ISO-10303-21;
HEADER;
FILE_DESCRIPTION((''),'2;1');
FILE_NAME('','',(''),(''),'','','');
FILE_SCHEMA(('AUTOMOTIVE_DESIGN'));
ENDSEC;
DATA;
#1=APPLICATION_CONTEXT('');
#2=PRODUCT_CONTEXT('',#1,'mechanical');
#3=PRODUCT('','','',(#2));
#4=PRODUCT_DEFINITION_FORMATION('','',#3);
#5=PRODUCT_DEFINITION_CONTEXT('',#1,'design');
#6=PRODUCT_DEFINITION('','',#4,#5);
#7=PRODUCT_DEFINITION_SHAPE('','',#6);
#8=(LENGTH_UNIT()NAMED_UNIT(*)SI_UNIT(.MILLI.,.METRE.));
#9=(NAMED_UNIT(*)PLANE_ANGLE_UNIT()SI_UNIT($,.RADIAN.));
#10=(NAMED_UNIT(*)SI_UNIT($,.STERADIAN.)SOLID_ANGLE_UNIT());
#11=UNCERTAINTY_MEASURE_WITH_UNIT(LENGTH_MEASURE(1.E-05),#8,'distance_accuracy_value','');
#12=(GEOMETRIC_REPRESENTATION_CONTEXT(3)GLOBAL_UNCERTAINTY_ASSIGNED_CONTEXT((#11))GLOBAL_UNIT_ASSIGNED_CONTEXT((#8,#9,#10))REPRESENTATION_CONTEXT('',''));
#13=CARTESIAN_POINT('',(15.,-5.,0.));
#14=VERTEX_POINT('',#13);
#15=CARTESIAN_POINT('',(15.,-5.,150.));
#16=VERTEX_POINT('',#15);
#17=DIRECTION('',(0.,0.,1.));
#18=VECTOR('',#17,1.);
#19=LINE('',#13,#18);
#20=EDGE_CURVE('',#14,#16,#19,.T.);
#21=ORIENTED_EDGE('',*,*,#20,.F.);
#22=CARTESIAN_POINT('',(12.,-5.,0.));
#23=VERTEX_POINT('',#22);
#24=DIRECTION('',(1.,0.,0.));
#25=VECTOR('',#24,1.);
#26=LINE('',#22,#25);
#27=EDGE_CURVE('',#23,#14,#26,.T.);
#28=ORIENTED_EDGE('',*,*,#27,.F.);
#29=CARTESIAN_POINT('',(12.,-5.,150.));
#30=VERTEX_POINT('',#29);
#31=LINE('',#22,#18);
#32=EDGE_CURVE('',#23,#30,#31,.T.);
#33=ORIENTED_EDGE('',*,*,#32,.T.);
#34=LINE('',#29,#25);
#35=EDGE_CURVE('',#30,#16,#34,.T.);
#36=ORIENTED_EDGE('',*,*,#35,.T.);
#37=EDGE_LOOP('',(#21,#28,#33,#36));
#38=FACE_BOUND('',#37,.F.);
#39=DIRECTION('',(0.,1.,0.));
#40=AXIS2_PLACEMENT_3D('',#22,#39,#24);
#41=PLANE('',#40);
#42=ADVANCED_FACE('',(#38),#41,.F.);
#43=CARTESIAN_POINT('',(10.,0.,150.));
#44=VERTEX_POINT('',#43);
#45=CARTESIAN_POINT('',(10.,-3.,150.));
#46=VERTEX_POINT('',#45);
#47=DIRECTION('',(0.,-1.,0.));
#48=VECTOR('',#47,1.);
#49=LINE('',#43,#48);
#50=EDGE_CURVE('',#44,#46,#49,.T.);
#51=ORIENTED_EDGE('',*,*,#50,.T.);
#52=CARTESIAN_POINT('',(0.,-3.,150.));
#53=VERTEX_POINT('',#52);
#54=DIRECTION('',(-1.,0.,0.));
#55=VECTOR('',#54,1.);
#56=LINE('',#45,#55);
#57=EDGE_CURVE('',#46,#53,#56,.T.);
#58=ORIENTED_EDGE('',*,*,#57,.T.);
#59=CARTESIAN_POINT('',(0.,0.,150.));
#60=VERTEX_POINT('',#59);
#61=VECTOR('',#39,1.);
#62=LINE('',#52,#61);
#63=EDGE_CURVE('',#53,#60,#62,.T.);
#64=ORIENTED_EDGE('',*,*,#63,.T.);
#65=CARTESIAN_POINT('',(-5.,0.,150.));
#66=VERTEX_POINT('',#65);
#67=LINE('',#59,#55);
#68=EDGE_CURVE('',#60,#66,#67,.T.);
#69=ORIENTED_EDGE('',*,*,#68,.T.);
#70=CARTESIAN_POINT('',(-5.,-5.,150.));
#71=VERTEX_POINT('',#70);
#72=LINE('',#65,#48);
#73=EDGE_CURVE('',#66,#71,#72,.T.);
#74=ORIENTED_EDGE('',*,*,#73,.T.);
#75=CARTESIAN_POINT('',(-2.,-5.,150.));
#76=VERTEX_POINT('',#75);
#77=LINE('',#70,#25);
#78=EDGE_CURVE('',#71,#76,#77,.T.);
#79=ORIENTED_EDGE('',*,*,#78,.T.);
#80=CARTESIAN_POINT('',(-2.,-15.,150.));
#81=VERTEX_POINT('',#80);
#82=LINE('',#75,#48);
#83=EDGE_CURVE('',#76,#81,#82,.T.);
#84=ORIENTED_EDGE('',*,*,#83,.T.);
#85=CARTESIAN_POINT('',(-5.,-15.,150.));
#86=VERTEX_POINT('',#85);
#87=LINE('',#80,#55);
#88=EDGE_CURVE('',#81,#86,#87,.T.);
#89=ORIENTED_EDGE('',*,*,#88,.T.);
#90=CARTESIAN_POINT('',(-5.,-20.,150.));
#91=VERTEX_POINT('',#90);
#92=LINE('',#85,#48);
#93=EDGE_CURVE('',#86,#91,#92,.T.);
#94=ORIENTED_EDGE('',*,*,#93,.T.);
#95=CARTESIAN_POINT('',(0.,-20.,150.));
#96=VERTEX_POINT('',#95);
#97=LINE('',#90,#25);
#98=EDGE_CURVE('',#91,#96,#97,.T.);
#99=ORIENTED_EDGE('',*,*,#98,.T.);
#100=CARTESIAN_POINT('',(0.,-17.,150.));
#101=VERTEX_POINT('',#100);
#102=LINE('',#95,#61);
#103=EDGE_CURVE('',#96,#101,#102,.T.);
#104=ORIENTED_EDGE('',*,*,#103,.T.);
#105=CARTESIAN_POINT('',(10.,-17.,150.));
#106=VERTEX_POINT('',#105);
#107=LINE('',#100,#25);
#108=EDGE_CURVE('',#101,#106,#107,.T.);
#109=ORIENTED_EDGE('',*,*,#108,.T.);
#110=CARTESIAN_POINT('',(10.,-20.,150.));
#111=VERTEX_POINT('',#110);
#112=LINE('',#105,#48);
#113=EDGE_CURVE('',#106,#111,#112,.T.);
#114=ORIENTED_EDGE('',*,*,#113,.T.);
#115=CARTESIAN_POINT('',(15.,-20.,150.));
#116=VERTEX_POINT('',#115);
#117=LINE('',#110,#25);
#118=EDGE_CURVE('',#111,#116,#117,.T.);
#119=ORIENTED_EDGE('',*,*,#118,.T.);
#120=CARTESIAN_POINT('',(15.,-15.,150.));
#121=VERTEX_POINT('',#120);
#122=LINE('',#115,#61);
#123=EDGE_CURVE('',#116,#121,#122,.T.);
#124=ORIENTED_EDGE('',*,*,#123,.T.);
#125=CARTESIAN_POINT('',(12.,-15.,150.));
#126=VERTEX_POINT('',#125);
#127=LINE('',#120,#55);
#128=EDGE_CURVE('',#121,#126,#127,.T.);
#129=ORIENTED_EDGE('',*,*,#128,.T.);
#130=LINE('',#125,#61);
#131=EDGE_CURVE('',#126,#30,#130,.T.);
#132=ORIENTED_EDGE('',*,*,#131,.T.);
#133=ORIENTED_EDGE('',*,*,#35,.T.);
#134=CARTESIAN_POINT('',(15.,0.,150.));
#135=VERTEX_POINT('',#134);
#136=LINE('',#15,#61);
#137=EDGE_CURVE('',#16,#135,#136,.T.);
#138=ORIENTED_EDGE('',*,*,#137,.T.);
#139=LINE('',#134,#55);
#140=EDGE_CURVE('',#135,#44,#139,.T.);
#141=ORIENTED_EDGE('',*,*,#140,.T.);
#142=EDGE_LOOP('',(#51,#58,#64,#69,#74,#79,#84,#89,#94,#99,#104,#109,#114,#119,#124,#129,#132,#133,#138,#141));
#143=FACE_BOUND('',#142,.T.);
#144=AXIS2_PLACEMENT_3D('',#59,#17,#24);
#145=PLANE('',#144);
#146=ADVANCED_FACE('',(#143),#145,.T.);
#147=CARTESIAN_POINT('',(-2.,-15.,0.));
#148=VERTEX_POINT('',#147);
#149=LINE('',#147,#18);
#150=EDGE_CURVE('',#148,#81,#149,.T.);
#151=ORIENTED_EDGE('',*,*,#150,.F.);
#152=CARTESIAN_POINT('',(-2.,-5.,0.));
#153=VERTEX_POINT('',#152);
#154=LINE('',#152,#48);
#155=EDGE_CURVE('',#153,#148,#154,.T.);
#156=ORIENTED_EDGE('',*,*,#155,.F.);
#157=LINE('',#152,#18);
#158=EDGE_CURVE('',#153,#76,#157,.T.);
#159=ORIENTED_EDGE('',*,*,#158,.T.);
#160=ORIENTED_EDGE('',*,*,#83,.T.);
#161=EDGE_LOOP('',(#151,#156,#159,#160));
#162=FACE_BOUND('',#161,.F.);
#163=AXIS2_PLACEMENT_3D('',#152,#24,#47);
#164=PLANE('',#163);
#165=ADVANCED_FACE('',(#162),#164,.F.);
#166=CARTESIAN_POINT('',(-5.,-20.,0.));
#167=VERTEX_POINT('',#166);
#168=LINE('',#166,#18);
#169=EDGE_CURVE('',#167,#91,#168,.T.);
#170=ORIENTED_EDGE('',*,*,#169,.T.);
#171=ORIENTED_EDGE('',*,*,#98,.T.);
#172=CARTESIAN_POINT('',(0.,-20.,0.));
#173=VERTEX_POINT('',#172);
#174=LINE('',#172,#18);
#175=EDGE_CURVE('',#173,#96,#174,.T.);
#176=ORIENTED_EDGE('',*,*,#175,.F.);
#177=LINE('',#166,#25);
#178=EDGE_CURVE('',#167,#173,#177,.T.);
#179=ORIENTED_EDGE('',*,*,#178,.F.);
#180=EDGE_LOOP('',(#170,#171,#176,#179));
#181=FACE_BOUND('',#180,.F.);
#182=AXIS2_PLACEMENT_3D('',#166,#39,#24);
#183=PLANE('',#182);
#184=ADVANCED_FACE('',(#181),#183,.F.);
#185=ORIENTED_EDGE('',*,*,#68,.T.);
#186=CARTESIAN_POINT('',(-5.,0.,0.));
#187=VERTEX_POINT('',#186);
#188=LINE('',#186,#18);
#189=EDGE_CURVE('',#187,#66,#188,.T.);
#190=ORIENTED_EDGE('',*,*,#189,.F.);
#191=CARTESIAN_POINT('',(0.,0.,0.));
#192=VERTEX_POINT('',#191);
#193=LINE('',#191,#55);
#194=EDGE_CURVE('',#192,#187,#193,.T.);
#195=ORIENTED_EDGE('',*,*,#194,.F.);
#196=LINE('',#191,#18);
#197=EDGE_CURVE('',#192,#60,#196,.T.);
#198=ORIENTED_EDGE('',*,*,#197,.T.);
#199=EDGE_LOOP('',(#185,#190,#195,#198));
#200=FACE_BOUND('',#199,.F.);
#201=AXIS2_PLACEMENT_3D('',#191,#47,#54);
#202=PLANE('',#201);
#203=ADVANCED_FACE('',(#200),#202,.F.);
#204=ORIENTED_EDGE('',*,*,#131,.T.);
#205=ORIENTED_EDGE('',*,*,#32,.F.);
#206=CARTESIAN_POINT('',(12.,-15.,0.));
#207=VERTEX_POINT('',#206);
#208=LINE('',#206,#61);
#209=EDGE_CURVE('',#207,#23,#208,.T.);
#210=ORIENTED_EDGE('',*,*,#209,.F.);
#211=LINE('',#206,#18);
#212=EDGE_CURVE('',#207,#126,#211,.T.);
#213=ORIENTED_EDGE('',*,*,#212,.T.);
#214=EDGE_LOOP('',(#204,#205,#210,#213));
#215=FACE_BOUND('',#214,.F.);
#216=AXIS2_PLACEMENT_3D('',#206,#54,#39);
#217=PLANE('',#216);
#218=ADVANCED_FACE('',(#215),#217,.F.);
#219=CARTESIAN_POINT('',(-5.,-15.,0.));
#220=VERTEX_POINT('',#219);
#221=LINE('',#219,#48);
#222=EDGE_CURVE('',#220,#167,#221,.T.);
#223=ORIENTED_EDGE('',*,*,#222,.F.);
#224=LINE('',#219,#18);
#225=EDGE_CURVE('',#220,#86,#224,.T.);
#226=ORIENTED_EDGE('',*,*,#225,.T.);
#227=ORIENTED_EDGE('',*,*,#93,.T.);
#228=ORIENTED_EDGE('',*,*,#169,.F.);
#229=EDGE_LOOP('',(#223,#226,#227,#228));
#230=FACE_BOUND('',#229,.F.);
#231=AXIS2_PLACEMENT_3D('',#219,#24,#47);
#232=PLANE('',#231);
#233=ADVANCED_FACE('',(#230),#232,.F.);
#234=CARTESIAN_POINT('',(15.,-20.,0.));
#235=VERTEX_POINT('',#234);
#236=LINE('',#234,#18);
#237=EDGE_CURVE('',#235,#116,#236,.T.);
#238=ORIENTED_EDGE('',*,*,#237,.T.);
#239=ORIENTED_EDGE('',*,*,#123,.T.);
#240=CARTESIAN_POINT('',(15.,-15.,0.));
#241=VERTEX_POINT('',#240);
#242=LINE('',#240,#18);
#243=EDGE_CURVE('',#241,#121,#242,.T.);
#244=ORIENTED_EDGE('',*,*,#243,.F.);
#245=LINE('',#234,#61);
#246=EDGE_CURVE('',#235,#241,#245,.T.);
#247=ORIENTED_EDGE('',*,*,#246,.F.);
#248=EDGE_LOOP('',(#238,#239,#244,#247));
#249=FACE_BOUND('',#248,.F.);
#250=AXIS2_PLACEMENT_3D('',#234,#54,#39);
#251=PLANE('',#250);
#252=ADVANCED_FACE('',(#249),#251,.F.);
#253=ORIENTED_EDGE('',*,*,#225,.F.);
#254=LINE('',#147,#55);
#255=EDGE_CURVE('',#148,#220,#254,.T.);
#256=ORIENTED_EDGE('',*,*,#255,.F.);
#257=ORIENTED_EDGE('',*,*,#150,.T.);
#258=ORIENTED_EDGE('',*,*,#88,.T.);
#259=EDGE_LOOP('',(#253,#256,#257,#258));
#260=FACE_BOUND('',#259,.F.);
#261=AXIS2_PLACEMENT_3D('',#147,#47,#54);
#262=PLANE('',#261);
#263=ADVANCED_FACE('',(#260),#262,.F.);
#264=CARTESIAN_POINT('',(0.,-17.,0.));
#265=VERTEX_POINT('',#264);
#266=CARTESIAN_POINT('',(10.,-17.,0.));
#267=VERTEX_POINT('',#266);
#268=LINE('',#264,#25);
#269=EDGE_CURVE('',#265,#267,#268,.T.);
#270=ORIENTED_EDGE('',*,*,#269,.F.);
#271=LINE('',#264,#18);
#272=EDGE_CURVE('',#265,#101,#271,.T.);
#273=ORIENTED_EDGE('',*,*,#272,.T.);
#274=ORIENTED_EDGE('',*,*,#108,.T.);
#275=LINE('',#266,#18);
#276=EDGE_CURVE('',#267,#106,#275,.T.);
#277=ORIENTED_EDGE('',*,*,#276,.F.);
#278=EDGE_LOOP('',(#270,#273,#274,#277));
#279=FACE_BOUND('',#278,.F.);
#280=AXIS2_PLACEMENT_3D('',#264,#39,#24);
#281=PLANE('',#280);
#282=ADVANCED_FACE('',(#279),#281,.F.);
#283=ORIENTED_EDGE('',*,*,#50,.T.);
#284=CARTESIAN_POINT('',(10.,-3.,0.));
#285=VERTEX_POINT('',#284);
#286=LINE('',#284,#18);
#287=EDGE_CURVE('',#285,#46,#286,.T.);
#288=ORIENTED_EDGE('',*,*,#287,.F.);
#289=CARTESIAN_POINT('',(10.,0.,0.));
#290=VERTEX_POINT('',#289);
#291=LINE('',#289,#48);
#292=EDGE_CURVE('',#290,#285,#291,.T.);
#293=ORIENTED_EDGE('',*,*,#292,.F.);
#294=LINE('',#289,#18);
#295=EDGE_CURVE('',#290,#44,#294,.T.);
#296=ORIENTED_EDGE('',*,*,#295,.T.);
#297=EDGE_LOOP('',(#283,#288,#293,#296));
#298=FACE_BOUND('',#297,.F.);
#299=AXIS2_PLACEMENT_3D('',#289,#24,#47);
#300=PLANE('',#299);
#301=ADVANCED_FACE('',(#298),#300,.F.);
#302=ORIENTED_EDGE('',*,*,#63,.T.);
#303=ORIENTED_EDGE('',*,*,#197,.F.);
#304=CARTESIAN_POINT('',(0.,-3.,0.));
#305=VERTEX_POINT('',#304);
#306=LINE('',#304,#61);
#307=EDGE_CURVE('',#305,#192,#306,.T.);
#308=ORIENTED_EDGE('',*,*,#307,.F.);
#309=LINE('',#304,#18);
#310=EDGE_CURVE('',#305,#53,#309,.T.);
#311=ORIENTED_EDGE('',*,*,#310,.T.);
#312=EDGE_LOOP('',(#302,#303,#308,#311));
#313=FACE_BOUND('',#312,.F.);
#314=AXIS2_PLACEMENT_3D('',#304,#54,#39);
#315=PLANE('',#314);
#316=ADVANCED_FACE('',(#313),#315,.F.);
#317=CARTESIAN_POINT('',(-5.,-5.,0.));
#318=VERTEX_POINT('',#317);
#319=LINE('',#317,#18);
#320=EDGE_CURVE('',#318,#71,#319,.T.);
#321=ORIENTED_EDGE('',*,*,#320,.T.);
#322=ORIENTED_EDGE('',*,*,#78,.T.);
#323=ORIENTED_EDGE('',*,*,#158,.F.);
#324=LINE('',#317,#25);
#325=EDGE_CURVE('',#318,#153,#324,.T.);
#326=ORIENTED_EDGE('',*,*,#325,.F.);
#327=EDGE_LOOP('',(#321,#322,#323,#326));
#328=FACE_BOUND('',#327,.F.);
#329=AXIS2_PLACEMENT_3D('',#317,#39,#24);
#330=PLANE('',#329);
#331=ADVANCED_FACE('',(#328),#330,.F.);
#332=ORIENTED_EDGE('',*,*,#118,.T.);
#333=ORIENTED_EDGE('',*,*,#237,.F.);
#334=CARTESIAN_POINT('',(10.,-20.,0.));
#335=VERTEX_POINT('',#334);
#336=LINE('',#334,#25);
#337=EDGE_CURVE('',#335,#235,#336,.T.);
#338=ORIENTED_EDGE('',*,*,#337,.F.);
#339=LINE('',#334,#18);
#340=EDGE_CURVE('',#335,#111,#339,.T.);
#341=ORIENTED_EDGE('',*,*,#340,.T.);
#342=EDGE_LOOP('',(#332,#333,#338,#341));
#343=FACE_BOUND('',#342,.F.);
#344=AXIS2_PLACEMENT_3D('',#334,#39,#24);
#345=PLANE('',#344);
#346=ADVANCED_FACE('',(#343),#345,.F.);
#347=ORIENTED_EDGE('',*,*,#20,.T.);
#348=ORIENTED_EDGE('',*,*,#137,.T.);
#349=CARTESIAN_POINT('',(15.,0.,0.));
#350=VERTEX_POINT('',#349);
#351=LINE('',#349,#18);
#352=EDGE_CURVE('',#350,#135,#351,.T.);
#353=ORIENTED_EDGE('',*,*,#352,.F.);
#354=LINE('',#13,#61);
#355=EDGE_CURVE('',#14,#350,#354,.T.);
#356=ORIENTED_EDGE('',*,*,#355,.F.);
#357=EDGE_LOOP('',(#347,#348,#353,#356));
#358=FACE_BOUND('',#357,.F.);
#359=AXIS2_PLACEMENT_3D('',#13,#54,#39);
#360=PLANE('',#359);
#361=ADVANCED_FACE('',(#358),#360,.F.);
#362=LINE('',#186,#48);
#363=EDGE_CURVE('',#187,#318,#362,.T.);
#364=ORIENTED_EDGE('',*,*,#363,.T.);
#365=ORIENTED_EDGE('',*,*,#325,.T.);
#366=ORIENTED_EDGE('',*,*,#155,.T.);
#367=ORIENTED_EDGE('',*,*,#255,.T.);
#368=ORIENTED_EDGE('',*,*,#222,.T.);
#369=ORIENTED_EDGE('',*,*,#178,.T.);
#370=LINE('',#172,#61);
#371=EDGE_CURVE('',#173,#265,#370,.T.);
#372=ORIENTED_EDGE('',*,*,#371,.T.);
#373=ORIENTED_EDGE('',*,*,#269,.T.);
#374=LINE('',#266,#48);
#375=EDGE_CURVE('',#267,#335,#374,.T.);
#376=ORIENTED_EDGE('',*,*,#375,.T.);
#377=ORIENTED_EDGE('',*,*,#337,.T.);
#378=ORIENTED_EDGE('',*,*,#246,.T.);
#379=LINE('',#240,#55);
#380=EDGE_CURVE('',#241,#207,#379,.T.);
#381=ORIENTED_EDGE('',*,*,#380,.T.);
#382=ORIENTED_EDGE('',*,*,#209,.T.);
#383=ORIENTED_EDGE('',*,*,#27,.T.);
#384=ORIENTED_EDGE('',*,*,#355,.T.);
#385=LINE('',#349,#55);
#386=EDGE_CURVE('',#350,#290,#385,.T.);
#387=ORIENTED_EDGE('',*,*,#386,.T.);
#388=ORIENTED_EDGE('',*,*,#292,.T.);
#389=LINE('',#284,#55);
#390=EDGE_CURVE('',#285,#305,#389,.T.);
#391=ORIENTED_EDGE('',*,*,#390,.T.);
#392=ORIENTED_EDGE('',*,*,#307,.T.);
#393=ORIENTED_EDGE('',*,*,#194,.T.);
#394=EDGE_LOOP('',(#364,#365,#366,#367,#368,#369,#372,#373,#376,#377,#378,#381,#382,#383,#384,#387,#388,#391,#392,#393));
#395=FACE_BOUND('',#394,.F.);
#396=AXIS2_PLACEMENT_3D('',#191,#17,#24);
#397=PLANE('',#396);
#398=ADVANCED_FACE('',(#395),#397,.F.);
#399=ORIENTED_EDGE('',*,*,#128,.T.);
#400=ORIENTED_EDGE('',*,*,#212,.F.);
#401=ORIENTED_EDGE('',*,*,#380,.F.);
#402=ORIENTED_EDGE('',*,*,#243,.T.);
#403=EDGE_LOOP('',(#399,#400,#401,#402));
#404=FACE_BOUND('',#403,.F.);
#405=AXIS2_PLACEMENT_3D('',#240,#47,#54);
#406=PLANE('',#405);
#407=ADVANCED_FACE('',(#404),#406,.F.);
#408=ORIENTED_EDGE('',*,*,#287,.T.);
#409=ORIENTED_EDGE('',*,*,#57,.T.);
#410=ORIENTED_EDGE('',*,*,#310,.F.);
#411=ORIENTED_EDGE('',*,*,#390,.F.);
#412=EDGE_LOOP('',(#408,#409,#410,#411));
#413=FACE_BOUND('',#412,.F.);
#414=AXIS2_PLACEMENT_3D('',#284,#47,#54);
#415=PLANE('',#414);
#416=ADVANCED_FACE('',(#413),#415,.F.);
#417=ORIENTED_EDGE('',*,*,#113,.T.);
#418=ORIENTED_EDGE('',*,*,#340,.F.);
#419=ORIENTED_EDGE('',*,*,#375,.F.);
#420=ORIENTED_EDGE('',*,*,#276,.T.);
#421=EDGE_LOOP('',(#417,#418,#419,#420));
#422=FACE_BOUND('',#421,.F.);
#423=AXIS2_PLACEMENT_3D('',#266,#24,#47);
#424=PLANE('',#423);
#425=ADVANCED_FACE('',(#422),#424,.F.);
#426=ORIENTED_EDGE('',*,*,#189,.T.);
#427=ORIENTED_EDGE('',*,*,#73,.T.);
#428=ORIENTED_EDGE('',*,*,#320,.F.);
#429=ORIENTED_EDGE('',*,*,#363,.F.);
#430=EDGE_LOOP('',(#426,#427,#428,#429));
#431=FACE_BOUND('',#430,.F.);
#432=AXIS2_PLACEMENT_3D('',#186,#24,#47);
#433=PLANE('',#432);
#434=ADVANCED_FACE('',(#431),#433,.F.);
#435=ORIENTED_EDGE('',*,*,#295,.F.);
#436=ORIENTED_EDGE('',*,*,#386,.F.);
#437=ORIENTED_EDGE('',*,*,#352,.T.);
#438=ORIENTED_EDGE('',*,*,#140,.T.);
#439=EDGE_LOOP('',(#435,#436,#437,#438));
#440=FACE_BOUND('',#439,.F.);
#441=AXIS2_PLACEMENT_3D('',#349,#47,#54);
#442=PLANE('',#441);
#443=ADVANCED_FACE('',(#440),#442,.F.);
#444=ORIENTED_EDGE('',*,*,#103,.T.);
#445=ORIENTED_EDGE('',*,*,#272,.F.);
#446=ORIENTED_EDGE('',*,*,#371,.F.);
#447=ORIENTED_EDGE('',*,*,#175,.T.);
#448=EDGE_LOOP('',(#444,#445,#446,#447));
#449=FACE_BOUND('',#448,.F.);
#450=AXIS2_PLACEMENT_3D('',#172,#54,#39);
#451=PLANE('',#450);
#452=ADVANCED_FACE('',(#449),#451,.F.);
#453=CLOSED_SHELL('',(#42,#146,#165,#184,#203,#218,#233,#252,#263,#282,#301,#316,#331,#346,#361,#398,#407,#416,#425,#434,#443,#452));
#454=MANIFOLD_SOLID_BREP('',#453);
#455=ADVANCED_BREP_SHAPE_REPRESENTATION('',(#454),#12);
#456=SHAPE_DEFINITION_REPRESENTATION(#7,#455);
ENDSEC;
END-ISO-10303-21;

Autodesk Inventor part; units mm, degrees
ref_plane "YZ Plane" through (0, 0, 0) normal (1, 0, 0) x (0, 1, 0)
ref_plane "XZ Plane" through (0, 0, 0) normal (0, 1, 0) x (-1, 0, 0)
ref_plane "XY Plane" through (0, 0, 0) normal (0, 0, 1) x (1, 0, 0)
sketch "Esboço1" plane through (0, 0, 0) normal (0, 0, 1) x (1, 0, 0)
  line L0 (0, 0) -> (-5, 0)
  line L1 (-5, 0) -> (-5, -5)
  line L2 (-5, -5) -> (-2, -5)
  line L3 (-2, -5) -> (-2, -15)
  line L4 (-2, -15) -> (-5, -15)
  line L5 (-5, -15) -> (-5, -20)
  line L6 (-5, -20) -> (0, -20)
  line L7 (0, -20) -> (0, -17)
  line L8 (0, -17) -> (10, -17)
  line L9 (10, -17) -> (10, -20)
  line L10 (10, -20) -> (15, -20)
  line L11 (15, -20) -> (15, -15)
  line L12 (15, -15) -> (12, -15)
  line L13 (12, -15) -> (12, -5)
  line L14 (12, -5) -> (15, -5)
  line L15 (15, -5) -> (15, 0)
  line L16 (15, 0) -> (10, 0)
  line L17 (10, 0) -> (10, -3)
  line L18 (10, -3) -> (0, -3)
  line L19 (0, -3) -> (0, 0)
  dimension "d4" = 5
  dimension "d5" = 5
  dimension "d6" = 3
  dimension "d7" = 10
  dimension "d8" = 3
  dimension "d9" = 5
  dimension "d10" = 5
  dimension "d11" = 3
  dimension "d12" = 10
  dimension "d13" = 5
  dimension "d14" = 5
  dimension "d15" = 3
  dimension "d16" = 10
  dimension "d17" = 3
  dimension "d18" = 5
  dimension "d19" = 3
  dimension "d20" = 10
extrude "Extrusão1" add sketch "Esboço1" along normal blind 150
properties part number "Viga Projeto Bosch"
